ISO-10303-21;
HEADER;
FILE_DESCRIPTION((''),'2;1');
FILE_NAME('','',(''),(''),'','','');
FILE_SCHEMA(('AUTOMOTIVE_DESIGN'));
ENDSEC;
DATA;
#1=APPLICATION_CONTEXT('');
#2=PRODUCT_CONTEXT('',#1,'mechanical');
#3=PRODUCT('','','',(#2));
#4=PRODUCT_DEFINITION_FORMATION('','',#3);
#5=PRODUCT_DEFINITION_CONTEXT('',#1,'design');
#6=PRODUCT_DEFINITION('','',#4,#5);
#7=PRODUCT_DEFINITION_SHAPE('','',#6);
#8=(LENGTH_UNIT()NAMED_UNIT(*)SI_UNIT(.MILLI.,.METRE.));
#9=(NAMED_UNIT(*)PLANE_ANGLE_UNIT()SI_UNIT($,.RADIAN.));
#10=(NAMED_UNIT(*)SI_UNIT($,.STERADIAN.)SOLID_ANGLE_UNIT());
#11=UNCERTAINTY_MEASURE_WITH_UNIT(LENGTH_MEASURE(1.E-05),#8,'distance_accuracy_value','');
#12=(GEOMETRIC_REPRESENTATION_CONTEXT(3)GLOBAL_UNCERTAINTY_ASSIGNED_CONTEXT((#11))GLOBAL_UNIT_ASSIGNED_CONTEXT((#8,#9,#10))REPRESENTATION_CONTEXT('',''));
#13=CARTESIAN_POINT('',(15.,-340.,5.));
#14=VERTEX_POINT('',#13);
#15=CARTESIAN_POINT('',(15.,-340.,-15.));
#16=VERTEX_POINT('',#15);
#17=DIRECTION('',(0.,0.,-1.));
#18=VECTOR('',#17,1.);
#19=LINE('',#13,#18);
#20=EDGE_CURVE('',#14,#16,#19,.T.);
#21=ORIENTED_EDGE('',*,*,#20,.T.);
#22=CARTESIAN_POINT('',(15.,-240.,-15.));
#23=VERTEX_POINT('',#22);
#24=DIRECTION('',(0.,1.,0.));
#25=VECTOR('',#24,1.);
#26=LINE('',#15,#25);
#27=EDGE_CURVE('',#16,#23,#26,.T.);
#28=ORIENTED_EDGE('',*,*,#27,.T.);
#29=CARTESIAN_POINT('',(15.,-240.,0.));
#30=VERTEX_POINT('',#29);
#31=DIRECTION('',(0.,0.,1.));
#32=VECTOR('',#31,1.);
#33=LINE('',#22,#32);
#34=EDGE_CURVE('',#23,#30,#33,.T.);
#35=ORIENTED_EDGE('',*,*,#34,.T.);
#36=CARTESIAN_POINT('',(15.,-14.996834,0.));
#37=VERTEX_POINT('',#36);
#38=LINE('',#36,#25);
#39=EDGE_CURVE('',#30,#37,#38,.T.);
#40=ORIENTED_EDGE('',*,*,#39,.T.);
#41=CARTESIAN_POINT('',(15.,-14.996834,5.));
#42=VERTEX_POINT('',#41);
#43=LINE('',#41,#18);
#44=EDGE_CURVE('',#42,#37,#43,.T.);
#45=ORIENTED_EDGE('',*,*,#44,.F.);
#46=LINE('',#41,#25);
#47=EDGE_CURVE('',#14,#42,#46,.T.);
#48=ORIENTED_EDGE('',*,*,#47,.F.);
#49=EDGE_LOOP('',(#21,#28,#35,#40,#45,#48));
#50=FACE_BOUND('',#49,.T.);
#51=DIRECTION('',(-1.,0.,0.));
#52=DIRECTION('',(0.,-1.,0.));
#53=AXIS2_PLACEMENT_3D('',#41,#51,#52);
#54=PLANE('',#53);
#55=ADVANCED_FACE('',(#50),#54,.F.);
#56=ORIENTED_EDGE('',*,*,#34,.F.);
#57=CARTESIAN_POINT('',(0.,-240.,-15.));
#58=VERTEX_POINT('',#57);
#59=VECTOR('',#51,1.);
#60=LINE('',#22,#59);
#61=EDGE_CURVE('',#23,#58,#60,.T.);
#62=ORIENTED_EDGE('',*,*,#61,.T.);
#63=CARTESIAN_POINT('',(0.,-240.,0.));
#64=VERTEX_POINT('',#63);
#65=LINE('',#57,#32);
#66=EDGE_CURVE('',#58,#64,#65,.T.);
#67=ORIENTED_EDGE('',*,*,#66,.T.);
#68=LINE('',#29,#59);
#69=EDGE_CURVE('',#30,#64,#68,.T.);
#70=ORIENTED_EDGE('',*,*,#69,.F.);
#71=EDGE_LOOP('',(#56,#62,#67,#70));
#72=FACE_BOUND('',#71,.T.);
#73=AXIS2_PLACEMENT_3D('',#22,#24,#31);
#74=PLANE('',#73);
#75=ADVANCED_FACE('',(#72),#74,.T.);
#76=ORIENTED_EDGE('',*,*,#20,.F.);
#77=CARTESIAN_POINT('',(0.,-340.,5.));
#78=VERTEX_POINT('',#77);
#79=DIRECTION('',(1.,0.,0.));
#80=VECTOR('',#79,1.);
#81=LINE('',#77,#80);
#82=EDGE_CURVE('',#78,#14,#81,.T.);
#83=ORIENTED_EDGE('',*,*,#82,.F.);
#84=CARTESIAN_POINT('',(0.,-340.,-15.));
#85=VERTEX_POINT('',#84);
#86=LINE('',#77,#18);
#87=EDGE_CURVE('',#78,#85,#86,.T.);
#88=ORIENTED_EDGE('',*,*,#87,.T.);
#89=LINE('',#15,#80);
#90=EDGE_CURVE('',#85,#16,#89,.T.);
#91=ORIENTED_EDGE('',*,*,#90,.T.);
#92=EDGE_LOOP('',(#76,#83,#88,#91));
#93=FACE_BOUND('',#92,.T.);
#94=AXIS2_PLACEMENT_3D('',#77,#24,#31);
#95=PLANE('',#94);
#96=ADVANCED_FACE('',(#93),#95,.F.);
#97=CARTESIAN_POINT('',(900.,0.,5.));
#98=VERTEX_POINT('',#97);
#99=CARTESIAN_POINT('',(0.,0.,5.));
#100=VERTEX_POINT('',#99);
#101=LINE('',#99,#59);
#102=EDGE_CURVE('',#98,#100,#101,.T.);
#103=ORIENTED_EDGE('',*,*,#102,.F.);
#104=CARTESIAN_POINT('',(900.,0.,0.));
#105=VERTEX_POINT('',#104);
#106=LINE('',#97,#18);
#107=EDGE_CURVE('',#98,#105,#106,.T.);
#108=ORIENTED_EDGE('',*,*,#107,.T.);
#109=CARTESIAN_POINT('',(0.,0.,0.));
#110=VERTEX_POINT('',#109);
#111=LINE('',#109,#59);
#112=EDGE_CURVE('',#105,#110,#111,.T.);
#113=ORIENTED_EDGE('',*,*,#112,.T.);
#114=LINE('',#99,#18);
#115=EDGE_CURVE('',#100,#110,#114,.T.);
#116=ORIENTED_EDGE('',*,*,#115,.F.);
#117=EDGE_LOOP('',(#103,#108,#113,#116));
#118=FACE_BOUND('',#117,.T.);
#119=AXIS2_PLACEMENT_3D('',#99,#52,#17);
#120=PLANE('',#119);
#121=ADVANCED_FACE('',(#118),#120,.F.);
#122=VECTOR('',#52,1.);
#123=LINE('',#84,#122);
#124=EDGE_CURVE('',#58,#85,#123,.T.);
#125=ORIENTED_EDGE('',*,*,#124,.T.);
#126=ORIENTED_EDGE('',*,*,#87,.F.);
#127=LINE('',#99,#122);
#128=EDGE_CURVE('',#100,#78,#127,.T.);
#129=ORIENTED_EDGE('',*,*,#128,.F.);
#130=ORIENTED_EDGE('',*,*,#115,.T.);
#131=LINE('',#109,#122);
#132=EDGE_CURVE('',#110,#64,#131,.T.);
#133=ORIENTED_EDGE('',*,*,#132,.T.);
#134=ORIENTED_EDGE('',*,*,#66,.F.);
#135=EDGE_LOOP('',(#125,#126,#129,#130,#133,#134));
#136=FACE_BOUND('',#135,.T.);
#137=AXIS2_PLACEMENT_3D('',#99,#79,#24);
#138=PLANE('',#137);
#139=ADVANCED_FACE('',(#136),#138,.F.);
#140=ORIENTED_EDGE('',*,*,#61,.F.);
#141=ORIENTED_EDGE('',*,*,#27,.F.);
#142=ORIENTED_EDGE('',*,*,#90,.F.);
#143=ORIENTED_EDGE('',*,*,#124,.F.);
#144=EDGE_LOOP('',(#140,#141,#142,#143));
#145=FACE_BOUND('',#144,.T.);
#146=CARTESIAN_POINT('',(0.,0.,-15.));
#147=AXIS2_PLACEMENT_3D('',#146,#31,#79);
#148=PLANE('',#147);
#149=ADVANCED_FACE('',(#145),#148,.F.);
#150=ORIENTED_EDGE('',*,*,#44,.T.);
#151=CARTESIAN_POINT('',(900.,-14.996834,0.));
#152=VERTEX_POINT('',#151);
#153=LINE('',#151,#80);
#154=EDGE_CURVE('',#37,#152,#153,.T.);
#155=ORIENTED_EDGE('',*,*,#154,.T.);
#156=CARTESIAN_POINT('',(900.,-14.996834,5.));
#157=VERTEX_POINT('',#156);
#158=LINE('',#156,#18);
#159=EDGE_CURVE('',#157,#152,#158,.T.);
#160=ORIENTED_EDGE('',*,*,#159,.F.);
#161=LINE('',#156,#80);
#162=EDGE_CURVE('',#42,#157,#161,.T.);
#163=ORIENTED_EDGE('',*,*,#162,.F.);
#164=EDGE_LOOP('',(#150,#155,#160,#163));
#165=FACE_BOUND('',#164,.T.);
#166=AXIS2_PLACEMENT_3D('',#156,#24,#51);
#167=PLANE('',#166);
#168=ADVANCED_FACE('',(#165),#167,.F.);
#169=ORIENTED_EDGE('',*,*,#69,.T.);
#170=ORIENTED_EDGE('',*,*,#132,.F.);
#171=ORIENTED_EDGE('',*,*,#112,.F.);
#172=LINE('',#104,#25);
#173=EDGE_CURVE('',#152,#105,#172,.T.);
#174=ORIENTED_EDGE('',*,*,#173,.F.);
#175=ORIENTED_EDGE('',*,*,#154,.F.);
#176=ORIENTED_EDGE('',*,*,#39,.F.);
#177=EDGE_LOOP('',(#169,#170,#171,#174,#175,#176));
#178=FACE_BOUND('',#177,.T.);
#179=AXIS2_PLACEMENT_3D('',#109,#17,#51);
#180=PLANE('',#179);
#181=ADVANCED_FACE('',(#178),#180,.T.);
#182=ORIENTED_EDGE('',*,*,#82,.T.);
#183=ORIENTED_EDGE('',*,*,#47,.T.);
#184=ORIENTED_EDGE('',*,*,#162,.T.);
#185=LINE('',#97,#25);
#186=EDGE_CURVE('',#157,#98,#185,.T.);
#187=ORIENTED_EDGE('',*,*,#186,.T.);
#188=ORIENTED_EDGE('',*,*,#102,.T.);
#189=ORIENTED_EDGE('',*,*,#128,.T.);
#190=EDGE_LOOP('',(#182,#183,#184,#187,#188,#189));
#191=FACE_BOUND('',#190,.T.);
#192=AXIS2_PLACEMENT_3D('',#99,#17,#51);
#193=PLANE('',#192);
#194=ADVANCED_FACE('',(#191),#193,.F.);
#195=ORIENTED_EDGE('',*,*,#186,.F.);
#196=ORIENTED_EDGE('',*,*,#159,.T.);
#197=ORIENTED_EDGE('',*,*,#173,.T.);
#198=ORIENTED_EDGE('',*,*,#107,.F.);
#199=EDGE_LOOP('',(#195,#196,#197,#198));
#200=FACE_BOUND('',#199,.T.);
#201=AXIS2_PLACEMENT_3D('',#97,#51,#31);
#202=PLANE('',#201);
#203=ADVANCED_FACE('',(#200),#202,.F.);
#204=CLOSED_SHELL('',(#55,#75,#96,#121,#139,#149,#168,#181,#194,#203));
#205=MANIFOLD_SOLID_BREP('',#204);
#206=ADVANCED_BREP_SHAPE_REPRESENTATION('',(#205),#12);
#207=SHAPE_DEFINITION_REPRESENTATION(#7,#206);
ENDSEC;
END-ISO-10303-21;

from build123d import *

# Parameters (mm, degrees)
BOSS_EXTRUDE1_DEPTH = 5
SKETCH3_W           = 15
SKETCH3_H           = 100
BOSS_EXTRUDE2_DEPTH = 15


with BuildPart() as part:
    # Sketch1 → Boss-Extrude1 (new body)
    with BuildSketch(Plane.XY):
        Polygon((0, 0), (0, -340), (15, -340), (15, -14.996834209), (900, -14.996834209), (900, 0), align=None)
    extrude(amount=BOSS_EXTRUDE1_DEPTH)

    # Sketch3 → Boss-Extrude2 (add)
    with BuildSketch(Plane.XY):
        with Locations((7.5, -290)):
            Rectangle(SKETCH3_W, SKETCH3_H)
    extrude(amount=-BOSS_EXTRUDE2_DEPTH)


solid = part.part
